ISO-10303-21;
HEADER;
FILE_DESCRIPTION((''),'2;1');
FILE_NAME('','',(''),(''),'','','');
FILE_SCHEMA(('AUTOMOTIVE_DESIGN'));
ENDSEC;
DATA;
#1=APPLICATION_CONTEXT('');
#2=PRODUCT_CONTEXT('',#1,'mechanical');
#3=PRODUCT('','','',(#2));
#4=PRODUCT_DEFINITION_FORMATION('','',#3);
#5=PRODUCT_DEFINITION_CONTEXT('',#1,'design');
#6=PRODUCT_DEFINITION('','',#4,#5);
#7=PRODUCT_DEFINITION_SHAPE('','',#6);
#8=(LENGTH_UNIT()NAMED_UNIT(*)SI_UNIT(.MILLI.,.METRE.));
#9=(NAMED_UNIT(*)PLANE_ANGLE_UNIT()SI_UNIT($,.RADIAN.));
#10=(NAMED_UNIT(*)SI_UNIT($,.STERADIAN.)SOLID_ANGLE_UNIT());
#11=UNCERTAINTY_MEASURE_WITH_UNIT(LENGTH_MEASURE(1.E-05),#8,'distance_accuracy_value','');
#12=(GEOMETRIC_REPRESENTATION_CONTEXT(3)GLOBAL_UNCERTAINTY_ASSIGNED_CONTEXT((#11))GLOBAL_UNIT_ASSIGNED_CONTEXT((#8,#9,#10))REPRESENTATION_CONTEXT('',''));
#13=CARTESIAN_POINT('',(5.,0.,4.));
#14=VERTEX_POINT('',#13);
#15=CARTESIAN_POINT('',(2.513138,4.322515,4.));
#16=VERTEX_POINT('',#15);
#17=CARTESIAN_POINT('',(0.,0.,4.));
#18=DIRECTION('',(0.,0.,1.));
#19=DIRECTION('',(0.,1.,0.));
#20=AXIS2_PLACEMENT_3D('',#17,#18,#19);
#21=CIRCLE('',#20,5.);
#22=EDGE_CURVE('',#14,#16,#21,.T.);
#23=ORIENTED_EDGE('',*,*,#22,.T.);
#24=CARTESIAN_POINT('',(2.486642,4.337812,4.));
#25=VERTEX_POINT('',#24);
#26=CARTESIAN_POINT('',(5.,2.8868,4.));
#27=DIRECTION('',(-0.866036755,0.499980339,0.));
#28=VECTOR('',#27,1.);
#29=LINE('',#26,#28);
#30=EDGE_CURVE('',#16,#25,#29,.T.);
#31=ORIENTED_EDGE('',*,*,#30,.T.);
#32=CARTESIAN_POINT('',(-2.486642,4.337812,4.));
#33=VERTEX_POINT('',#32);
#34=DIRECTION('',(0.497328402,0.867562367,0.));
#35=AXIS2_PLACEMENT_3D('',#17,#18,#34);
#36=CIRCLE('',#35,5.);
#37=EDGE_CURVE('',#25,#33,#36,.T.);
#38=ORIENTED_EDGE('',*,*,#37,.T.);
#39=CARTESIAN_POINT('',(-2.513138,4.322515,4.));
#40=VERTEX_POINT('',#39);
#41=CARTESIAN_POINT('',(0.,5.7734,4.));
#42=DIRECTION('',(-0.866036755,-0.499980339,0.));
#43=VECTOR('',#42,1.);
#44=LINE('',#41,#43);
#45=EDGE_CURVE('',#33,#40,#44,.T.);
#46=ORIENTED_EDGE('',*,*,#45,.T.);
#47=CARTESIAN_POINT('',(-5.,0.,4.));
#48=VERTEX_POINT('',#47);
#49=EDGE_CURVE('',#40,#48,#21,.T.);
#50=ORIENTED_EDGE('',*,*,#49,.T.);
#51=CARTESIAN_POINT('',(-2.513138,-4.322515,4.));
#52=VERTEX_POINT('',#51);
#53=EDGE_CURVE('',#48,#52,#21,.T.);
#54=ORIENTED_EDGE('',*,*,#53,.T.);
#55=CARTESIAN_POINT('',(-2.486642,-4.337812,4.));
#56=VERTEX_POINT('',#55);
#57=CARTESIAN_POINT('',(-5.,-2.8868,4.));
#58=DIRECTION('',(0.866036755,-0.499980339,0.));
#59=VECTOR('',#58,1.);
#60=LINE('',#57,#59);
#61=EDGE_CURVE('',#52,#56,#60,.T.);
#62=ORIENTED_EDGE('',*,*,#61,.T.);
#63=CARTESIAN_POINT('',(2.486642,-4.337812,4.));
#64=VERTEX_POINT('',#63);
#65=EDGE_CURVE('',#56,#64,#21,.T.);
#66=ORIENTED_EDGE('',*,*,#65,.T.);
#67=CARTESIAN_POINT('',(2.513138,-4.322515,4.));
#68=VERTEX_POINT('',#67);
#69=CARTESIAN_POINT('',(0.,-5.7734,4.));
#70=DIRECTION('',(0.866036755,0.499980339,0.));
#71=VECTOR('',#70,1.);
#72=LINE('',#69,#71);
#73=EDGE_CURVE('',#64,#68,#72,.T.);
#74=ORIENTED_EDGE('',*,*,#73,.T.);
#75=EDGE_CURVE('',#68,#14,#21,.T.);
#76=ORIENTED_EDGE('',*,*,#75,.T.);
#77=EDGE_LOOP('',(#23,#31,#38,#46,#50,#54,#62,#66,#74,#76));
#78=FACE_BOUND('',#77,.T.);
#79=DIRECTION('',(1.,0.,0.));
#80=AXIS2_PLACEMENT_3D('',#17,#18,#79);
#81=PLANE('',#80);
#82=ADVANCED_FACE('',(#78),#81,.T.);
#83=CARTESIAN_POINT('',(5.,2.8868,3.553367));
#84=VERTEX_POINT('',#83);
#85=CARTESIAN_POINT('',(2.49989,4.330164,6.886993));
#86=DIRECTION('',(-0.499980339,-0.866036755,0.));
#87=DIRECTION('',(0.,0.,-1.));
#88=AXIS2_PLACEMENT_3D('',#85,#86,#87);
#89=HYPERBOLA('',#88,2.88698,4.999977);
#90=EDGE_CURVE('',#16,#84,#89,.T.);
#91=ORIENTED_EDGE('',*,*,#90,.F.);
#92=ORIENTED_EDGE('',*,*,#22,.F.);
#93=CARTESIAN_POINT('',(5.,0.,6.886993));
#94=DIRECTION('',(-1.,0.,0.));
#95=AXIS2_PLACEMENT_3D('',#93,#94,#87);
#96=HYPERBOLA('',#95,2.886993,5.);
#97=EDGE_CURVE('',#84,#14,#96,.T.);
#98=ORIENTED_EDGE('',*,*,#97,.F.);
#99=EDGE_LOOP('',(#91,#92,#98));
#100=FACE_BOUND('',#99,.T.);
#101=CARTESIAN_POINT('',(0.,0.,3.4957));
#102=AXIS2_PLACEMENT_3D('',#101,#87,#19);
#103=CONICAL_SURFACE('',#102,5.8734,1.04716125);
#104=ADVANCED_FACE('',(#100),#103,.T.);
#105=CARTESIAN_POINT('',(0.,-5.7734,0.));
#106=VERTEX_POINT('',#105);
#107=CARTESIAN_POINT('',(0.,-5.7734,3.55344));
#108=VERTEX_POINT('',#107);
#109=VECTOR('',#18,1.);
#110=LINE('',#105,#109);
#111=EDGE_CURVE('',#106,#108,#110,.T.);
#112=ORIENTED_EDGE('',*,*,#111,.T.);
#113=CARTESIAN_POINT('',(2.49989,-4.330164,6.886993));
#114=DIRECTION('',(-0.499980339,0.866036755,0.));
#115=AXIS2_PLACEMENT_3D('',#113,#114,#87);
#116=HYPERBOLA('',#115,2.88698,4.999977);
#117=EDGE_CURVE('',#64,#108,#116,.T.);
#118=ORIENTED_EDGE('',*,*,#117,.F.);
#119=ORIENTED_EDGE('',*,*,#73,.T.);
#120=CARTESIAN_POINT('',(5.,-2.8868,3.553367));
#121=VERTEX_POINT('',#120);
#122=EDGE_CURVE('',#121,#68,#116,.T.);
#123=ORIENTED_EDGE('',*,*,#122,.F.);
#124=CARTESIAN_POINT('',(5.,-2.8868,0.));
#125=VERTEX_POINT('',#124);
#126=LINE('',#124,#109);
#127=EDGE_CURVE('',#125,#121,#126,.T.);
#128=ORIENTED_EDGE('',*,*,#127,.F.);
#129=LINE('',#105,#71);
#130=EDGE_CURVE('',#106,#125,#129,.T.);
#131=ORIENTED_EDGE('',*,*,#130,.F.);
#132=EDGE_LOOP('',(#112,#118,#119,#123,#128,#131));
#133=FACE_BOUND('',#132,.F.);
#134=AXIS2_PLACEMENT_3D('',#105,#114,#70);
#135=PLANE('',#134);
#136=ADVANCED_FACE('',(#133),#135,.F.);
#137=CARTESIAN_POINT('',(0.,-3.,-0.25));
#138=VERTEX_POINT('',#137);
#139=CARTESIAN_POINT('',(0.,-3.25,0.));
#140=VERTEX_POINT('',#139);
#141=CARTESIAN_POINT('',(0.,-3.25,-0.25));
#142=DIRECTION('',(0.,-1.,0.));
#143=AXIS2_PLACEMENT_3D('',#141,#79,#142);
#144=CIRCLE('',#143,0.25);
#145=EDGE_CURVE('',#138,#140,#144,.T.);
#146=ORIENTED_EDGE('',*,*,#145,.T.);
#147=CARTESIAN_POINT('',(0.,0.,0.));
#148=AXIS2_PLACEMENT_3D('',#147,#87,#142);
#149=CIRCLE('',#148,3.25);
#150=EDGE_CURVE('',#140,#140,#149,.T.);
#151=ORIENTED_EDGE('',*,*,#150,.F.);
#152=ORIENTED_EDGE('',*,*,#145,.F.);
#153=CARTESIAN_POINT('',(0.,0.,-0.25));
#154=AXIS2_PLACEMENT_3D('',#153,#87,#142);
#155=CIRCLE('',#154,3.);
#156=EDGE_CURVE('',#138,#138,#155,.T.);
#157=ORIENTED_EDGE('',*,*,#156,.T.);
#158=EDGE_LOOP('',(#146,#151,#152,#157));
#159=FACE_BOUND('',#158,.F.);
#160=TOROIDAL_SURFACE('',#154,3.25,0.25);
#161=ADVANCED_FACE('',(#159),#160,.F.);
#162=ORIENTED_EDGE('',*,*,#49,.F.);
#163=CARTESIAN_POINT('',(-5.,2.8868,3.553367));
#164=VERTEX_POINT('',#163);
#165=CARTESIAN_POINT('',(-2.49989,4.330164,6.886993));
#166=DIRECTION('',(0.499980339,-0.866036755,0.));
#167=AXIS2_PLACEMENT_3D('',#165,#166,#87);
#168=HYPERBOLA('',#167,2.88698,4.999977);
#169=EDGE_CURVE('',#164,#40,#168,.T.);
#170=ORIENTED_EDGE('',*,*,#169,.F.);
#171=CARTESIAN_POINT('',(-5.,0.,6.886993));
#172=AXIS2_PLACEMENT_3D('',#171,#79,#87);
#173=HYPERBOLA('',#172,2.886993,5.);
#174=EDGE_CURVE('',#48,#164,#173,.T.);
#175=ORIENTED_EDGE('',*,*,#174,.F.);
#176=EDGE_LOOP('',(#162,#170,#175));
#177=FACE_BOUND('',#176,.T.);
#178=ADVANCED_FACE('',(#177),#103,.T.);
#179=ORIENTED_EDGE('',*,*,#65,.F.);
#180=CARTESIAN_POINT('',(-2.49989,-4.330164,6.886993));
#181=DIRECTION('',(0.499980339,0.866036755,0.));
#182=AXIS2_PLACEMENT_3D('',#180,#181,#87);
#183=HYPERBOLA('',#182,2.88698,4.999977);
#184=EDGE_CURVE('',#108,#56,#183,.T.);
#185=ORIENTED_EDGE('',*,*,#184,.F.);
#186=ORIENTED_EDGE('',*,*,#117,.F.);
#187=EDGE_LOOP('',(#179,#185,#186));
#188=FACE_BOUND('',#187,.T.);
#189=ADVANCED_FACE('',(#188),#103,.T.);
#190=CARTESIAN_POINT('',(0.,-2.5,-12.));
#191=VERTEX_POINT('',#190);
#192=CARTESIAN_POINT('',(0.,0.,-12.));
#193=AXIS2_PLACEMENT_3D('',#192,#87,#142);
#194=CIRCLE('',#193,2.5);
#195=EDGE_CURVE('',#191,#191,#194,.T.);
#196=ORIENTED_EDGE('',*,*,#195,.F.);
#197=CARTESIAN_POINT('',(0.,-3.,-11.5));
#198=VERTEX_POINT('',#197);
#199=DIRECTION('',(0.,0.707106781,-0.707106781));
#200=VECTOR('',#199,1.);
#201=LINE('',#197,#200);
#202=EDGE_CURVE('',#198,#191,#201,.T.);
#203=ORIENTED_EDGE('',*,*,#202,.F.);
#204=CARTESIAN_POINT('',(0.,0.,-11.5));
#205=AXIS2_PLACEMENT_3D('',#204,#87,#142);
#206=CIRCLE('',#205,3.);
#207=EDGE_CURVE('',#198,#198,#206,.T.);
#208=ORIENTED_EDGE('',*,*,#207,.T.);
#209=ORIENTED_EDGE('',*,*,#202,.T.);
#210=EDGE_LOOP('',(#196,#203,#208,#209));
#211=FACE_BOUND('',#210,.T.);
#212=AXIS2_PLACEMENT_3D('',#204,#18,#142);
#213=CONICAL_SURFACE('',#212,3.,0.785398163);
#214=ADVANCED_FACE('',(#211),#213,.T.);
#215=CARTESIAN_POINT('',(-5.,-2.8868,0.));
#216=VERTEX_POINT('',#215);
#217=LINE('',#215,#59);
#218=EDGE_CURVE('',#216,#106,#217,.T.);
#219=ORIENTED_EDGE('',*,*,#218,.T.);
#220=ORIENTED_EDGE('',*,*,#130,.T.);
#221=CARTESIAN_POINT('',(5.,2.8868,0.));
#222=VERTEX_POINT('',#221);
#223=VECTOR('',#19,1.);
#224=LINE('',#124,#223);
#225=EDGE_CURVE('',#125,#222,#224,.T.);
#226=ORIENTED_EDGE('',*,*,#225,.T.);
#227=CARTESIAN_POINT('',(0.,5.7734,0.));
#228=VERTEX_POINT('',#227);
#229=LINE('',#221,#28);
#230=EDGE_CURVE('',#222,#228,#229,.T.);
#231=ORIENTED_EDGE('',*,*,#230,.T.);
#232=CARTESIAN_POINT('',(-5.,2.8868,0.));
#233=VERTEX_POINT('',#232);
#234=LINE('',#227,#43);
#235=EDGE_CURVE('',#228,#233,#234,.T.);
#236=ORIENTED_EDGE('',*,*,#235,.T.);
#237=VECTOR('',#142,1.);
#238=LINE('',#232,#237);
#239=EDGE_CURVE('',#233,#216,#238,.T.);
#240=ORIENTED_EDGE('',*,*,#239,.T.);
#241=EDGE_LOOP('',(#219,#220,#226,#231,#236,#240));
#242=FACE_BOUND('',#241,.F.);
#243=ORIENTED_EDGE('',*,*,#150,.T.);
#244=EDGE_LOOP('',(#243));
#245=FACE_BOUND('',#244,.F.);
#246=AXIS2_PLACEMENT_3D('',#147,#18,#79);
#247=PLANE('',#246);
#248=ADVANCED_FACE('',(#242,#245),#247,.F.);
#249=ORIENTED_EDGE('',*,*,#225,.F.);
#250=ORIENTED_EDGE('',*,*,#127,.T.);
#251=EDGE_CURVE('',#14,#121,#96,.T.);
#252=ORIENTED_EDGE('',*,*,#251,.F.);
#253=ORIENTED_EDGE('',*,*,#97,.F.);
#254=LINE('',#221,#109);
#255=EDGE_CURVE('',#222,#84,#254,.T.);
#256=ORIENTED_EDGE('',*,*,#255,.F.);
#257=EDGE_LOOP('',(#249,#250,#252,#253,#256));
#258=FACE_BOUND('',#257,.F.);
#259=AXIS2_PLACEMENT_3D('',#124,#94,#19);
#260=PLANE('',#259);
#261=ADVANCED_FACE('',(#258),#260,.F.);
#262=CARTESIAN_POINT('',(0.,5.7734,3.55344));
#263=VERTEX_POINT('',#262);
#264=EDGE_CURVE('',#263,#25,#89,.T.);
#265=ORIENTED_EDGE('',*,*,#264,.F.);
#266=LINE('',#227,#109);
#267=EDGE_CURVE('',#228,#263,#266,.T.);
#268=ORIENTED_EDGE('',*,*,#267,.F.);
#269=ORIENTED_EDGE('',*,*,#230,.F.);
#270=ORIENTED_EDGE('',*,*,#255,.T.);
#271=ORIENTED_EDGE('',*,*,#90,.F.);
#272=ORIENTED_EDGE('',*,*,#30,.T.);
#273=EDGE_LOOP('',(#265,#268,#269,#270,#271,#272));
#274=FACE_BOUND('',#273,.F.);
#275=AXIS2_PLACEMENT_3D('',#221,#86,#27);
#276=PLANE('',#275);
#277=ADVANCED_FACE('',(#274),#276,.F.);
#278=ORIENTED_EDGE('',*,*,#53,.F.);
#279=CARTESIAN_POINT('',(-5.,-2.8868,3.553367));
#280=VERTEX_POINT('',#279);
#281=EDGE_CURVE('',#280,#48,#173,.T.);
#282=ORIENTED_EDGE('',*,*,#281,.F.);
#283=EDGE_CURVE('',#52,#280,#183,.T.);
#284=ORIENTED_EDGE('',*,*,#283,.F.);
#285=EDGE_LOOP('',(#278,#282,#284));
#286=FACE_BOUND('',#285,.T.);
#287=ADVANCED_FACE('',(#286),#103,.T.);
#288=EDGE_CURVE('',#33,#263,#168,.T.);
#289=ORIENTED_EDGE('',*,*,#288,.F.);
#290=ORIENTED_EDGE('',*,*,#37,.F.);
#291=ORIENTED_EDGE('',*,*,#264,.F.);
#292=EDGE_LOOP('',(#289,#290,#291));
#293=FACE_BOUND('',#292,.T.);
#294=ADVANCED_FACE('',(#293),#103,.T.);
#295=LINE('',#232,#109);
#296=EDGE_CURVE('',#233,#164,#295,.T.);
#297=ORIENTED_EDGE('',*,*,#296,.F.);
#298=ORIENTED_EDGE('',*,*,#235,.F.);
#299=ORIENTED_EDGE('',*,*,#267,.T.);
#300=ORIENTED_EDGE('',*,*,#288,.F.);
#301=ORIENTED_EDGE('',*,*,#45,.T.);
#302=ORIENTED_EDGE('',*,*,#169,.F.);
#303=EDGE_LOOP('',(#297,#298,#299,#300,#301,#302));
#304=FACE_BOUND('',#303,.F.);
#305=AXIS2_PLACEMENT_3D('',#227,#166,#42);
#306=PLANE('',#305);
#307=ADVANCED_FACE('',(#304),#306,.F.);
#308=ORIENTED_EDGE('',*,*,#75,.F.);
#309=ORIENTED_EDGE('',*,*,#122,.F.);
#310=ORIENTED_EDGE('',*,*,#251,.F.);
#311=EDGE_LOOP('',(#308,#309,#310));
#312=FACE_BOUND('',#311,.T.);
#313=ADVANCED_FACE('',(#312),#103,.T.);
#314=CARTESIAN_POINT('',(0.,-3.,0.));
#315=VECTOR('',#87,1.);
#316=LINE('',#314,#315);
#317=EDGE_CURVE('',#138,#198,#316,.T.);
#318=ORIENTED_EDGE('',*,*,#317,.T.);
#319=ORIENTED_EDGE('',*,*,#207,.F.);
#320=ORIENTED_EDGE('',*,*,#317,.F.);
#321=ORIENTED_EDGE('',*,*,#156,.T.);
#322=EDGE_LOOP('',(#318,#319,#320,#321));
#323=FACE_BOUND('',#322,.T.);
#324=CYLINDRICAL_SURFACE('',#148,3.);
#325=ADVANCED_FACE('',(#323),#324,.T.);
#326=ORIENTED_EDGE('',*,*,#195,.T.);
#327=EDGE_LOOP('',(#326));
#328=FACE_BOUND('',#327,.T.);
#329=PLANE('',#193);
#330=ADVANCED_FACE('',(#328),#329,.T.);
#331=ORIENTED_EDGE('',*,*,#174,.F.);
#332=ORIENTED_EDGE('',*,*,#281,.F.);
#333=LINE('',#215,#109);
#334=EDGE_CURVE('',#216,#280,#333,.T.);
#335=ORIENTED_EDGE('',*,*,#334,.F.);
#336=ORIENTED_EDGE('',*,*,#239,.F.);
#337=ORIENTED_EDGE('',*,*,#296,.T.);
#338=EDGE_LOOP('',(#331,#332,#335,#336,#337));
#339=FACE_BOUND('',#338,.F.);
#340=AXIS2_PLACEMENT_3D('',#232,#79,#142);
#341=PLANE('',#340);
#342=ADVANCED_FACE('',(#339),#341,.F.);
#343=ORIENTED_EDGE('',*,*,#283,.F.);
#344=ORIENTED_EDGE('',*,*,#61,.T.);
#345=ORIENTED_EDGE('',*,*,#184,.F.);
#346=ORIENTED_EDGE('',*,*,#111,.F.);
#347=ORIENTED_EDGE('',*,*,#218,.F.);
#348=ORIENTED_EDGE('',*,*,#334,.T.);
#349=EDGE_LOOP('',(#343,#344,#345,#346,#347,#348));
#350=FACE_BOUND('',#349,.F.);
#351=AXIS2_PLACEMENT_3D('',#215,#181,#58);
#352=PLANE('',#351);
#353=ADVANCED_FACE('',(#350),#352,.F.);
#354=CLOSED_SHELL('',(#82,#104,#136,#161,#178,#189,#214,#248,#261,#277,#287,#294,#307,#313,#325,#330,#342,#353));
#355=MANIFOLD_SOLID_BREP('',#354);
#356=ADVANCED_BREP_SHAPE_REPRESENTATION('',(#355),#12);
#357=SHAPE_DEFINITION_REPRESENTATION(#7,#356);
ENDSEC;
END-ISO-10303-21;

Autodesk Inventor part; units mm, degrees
ref_plane "WorkPlane1" through (0, 0, 0) normal (0, 0, 1) x (1, 0, 0)
sketch "Sketch1" plane through (0, 0, 0) normal (0, 0, 1) x (1, 0, 0)
  point P0 (0, 0)
sketch "Sketch2" plane through (0, 0, 0) normal (0, 0, 1) x (1, 0, 0)
  line L0 (-5, 2.8868) -> (-5, -2.8868)
  line L1 (0, 5.7734) -> (-5, 2.8868)
  line L2 (5, 2.8868) -> (0, 5.7734)
  line L3 (5, -2.8868) -> (5, 2.8868)
  line L4 (0, -5.7734) -> (5, -2.8868)
  line L5 (-5, -2.8868) -> (0, -5.7734)
  circle A0 centre (0, 0) radius 5 construction
  dimension "d1" = 10
  dimension "d29" = 0
  dimension "d30" = 0
extrude "Extrusion1" add sketch "Sketch2" along normal blind 4
sketch "Sketch3" plane through (0, 0, 0) normal (1, 0, 0) x (0, 1, 0)
  line L0 (5, 4) -> (5.8734, 4)
  line L1 (5.8734, 3.4957) -> (5, 4)
  line L2 (5.8734, 4) -> (5.8734, 3.4957)
  line L3 (0, -0.8) -> (0, 4.8) projected
  line L4 (5.7734, 0) -> (5.7734, 4) projected
  dimension "d25" = 0.1
  dimension "d26" = 0
  dimension "d27" = 60
  dimension "d28" = 5
revolve "Revolution1" cut sketch "Sketch3" angle 360 about axis through (0, 0, -10) along (0, 0, 1)
sketch "Sketch4" plane through (0, 0, 0) normal (1, 0, 0) x (0, 1, 0)
  line L0 (0, -12) -> (0, 0)
  line L1 (-3, -12) -> (0, -12)
  line L2 (-3, 0) -> (-3, -12)
  line L3 (0, 0) -> (-3, 0)
  line L4 (0, -12) -> (0, 0)
  line L5 (-3.6, 0) -> (0.6, 0) projected
  line L6 (0, -14.4) -> (0, 2.4) projected
  dimension "d18" = 3
  dimension "d20" = 12
  dimension "d33" = 0
  dimension "d34" = 0
revolve "Revolution2" add sketch "Sketch4" angle 360 about axis through (0, 0, -12) along (0, 0, -1)
chamfer "Chamfer1" distance 0.5 angle 45 1 edges at (0, 3, -12)
fillet "Fillet1" radius 0.25 1 edges at (0, 3, 0)
thread "Thread1" size "M6x1" class "6g" standard "ISO Metric profile" length 10
ref_plane "MSC_PF1" through (0, 0, 0) normal (1, 0, 0) x (0, 1, 0)
ref_plane "MSC_PT1" through (0, 0, 0) normal (0, 0, -1) x (-1, 0, 0)
equation "\"d22\" = 0.5 * PTC"
equation "\"d23\" = 0.5 * PTC"
equation "\"d24\" = r"
equation "\"d1\" = ParS"
equation "\"d6\" = ParK"
equation "\"b\" = NLG - 2 * PTC"
equation "\"d28\" = 0.5 * ParS"
equation "\"d18\" = 0.5 * NND"
equation "\"d20\" = NLG"
equation "\"NND\" = 6"
equation "\"NLG\" = 12"
equation "\"PTC\" = 1"
equation "\"ParK\" = 4"
equation "\"ParS\" = 10"
equation "\"msp_es\" = 0.577367 * ParS"
equation "\"r\" = 0.25"
equation "\"THREADDIA\" = NND"
properties part number "ISO 4018 - M6 x 12" material "Steel"
